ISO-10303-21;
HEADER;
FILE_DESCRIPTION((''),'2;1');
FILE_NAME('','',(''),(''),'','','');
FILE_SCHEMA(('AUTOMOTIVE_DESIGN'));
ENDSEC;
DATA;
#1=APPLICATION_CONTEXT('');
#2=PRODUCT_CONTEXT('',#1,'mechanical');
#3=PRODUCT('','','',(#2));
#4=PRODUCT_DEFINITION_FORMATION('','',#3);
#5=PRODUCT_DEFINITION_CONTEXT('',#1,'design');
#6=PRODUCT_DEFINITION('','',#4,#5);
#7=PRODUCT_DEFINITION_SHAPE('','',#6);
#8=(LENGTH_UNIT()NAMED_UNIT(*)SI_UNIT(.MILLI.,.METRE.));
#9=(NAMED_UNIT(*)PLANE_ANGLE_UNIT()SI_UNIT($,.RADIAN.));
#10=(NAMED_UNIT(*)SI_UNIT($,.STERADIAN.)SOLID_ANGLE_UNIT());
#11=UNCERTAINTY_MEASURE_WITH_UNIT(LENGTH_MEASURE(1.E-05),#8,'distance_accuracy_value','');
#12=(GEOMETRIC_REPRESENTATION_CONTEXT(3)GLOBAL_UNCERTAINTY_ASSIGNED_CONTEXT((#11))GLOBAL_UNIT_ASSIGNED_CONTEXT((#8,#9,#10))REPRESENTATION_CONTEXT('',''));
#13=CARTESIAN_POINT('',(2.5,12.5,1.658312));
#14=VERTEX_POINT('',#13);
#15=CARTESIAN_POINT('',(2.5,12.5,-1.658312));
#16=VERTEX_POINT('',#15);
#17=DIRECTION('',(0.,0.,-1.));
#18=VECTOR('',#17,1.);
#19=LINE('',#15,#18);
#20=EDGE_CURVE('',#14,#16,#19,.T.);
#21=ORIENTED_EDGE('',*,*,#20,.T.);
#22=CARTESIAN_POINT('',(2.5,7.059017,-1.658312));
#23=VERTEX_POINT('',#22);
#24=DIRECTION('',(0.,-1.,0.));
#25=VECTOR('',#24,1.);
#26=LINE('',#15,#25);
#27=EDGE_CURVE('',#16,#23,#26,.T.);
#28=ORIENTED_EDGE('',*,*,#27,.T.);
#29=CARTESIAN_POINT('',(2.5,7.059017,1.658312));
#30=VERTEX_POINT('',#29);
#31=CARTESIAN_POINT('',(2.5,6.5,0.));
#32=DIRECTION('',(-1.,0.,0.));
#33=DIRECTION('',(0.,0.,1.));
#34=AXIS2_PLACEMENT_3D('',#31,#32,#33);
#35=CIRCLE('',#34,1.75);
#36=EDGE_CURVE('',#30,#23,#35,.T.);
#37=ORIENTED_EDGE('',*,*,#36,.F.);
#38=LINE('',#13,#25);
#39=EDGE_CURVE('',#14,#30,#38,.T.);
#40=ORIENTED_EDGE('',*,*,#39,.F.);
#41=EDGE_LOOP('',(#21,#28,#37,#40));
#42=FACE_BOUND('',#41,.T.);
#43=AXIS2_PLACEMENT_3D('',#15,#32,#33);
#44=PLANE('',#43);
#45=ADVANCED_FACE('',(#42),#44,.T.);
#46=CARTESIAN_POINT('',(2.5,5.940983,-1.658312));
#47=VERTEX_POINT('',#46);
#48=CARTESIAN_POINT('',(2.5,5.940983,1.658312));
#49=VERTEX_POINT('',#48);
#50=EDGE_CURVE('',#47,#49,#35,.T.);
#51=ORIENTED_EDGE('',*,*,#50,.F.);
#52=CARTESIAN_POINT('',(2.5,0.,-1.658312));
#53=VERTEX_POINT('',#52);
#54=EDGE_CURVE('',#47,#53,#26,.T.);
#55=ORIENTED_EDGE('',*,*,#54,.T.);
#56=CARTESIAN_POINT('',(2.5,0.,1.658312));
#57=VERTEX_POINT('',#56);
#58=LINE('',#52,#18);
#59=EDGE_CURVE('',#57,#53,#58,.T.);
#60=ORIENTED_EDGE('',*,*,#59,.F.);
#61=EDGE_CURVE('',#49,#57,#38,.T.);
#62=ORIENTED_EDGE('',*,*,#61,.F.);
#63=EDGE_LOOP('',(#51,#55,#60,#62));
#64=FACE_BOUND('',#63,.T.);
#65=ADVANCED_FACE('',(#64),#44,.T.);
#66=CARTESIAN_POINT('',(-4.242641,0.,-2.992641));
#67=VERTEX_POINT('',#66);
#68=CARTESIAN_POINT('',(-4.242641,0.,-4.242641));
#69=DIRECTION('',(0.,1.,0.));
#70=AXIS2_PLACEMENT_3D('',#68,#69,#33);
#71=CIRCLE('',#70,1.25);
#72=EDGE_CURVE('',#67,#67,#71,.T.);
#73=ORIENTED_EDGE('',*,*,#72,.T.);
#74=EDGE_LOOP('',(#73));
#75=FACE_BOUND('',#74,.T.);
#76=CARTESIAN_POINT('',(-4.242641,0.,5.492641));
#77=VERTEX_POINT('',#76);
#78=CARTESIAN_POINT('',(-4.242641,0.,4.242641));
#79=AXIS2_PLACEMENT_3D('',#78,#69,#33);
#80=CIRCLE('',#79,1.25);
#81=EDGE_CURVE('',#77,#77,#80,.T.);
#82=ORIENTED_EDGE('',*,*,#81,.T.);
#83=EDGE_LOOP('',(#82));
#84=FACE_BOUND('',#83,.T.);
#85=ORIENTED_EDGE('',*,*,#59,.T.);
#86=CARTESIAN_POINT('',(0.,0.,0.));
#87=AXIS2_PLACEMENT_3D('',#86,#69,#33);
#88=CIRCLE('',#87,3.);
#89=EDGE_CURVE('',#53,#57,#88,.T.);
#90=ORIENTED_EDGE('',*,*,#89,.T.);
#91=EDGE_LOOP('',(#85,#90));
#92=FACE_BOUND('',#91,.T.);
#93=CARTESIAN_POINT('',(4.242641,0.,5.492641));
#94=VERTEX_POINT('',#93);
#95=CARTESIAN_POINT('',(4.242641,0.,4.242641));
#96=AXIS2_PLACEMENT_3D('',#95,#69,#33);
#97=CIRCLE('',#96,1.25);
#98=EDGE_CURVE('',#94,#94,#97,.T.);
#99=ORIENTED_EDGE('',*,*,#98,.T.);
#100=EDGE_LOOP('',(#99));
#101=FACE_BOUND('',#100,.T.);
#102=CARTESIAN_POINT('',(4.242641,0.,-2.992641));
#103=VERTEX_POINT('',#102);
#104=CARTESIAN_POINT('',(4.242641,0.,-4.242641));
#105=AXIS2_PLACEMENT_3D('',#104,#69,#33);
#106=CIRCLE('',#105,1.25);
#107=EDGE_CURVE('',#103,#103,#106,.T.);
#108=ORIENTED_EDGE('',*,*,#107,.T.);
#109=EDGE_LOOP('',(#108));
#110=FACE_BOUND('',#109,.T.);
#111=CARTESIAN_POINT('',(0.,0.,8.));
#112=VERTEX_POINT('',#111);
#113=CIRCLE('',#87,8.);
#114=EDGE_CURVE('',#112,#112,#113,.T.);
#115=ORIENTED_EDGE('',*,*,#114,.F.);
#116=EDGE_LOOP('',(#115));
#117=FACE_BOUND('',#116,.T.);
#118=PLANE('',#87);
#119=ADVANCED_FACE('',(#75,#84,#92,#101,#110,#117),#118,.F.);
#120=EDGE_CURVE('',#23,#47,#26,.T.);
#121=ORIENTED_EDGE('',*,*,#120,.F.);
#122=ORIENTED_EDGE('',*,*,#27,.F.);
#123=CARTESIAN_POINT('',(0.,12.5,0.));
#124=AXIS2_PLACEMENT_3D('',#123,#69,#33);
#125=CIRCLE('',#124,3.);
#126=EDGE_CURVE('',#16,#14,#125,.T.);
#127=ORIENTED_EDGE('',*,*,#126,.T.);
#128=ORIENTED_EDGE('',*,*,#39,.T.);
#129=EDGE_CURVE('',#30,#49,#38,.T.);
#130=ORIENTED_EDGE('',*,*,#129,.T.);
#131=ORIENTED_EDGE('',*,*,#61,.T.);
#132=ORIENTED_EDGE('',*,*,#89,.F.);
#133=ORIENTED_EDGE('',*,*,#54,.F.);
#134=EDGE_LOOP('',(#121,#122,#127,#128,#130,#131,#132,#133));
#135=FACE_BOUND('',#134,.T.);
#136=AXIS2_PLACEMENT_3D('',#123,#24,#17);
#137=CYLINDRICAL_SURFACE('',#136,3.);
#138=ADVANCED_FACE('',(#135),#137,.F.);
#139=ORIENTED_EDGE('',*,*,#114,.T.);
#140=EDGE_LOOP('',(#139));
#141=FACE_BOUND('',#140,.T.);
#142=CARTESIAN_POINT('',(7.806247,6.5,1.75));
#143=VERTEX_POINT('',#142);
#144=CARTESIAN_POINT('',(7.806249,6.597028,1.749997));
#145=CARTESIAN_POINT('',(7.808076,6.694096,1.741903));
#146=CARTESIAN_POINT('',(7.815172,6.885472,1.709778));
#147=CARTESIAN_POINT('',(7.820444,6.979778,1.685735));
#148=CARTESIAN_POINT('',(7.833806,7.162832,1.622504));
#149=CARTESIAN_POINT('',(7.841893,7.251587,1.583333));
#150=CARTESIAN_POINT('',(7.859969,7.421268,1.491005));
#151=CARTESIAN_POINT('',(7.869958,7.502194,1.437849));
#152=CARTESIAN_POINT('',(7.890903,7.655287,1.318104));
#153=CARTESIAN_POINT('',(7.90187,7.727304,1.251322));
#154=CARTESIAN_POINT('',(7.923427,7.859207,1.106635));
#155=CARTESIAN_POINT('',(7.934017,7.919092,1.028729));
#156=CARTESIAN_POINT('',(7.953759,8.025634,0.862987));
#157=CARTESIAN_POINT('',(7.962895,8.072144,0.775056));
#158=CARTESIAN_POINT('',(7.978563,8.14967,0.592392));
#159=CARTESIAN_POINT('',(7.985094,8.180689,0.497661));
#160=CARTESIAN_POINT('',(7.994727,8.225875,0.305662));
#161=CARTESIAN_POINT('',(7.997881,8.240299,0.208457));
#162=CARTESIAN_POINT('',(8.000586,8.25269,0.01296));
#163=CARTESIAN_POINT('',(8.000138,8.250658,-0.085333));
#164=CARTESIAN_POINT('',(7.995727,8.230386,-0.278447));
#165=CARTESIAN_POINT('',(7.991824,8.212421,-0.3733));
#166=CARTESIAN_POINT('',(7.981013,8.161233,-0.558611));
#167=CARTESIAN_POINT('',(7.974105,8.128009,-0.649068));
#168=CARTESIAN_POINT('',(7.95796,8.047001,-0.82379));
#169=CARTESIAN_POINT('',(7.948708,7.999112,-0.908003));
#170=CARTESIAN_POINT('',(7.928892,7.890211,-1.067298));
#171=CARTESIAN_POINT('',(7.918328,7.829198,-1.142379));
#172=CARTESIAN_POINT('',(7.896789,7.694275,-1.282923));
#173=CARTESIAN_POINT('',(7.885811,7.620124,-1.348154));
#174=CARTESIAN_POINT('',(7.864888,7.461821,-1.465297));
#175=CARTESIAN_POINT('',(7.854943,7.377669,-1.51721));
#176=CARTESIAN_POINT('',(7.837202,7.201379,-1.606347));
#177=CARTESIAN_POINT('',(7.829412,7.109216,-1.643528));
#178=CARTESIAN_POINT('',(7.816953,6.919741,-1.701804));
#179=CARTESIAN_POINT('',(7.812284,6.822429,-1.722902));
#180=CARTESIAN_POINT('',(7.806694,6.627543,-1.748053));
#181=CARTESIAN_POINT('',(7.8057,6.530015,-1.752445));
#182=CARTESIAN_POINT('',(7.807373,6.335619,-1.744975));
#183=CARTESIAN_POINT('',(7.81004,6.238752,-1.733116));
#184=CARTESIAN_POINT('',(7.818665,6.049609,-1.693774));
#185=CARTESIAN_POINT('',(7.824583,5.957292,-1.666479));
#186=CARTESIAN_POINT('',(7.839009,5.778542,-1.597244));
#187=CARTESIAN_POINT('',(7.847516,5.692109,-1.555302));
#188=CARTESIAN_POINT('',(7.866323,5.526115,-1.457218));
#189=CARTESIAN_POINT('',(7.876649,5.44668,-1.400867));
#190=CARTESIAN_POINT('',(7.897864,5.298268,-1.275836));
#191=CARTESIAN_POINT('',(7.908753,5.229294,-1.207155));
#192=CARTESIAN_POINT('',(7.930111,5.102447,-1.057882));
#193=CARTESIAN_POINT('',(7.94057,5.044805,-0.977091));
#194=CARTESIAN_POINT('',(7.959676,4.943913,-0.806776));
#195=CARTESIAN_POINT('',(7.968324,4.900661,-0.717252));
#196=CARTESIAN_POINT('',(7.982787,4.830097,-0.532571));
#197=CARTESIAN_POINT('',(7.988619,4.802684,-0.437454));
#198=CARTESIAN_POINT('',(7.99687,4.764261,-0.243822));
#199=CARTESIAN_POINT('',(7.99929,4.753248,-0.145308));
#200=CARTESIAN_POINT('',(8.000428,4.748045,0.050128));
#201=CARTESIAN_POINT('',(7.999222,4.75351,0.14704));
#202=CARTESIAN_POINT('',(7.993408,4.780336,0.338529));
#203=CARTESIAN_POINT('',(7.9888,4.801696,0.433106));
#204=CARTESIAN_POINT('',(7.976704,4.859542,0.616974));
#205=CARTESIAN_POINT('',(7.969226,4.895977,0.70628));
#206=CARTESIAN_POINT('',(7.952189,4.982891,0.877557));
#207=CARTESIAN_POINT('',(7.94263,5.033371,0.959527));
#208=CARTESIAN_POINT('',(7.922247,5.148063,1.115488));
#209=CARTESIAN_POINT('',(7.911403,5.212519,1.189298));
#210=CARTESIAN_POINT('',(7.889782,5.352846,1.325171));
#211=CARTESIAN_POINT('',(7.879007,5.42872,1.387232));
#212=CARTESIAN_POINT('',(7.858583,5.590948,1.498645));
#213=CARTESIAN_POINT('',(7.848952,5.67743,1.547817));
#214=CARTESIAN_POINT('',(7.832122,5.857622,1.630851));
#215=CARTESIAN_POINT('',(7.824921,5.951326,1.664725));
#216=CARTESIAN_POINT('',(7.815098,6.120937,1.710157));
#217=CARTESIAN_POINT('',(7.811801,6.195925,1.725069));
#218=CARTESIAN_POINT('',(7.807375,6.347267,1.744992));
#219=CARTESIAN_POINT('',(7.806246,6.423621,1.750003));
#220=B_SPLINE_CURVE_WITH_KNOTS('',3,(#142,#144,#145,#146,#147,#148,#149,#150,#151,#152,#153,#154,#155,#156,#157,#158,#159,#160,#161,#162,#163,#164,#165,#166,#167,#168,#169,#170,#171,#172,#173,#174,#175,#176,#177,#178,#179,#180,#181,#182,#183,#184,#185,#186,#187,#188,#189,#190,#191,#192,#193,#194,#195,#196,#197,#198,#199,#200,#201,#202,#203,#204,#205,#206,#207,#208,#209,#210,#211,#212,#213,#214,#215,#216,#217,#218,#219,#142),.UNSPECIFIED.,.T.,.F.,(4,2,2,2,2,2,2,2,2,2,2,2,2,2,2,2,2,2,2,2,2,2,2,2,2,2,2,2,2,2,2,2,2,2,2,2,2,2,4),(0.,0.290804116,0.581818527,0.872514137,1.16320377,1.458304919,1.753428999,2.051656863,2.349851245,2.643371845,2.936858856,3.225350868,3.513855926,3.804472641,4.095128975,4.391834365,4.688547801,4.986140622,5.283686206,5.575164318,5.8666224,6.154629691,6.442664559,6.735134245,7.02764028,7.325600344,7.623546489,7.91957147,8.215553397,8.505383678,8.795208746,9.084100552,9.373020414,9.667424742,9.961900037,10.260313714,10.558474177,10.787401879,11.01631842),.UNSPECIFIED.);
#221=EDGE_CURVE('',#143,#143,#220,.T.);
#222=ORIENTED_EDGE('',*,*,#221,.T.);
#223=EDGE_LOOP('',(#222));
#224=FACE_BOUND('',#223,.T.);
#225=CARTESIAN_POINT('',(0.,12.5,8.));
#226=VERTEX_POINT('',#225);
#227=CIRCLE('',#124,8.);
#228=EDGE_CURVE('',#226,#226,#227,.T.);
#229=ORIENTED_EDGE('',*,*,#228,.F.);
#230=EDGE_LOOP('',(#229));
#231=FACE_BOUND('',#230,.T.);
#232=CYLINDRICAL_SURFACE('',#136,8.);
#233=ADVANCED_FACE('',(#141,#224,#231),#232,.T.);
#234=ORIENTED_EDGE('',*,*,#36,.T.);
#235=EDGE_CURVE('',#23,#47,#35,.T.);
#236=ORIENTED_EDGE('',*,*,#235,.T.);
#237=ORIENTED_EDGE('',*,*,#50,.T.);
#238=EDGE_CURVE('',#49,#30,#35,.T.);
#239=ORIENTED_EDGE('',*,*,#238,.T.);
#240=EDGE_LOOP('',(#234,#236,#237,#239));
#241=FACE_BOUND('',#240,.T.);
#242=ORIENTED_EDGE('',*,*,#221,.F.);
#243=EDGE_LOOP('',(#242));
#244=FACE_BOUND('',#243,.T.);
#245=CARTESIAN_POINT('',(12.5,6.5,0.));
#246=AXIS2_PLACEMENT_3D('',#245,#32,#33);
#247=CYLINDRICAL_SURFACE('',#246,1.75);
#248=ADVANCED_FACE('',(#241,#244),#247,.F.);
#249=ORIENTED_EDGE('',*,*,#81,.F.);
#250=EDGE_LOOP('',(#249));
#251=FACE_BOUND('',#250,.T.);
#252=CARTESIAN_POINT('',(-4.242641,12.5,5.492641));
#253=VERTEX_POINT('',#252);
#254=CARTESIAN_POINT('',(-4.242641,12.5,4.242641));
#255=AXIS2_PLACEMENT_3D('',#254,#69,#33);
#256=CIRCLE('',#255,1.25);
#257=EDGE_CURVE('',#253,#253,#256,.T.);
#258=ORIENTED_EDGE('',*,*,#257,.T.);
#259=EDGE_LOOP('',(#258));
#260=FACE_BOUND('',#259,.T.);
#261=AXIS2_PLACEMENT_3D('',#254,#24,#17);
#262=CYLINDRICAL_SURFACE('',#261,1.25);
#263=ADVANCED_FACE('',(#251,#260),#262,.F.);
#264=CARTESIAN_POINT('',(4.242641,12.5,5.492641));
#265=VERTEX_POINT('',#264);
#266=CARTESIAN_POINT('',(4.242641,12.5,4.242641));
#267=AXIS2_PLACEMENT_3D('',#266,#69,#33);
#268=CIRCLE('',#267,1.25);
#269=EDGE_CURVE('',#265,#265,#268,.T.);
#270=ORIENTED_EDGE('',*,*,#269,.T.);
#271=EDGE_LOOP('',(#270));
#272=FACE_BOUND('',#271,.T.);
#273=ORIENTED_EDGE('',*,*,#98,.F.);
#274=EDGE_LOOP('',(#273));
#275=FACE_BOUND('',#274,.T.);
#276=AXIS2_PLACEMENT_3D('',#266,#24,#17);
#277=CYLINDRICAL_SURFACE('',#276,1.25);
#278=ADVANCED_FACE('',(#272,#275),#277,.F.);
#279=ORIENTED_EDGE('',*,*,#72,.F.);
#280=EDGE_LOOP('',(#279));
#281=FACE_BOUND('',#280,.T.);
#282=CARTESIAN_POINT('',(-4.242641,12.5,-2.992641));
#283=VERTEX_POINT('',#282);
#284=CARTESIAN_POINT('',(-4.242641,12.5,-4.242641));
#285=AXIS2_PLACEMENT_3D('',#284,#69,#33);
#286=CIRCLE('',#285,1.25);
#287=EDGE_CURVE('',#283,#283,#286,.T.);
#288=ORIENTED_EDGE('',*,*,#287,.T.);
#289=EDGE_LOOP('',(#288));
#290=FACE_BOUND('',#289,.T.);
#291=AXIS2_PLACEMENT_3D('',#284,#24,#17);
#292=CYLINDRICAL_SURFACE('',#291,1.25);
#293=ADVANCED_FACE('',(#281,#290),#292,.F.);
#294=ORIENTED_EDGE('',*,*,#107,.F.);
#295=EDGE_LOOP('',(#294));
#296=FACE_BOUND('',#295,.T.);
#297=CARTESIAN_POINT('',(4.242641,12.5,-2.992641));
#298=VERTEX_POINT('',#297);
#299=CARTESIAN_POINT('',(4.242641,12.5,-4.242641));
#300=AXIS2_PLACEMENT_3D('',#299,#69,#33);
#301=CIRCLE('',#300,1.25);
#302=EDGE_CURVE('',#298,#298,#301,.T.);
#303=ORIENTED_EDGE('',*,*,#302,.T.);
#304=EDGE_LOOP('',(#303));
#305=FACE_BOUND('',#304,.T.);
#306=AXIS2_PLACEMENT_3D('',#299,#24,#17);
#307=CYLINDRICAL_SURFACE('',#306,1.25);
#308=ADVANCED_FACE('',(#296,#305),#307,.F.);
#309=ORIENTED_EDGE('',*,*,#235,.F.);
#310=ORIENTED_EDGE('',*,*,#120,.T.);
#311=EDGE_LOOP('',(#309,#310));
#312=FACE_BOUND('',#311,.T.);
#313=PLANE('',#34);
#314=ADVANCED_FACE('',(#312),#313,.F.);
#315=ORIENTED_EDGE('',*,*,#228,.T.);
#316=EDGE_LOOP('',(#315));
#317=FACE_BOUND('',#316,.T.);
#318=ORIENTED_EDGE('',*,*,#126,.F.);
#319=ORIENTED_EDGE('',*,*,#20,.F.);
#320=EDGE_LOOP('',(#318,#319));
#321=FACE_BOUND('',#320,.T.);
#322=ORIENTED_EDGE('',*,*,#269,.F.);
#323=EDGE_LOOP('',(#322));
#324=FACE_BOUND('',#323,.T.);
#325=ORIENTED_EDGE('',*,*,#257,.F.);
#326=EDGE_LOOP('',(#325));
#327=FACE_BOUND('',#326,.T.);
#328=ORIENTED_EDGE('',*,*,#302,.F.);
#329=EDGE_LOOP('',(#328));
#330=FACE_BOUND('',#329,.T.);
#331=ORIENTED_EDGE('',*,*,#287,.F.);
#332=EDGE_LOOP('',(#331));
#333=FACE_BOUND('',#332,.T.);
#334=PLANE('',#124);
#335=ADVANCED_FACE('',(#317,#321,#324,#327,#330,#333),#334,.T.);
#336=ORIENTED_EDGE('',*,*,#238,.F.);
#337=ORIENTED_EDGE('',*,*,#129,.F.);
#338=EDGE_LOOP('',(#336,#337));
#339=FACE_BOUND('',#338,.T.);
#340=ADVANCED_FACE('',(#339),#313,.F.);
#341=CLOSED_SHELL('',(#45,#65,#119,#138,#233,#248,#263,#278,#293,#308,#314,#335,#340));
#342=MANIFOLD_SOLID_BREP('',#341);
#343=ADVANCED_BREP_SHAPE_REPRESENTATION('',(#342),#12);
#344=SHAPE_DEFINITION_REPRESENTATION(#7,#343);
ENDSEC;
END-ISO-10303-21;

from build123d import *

# Parameters (mm, degrees)
SKETCH_1_R          = 8
SKETCH_1_R_2        = 1.25
EXTRUDE_1_DEPTH     = 12.5
SKETCH_3_R          = 1.75
CUT_EXTRUDE_1_DEPTH = 10


with BuildPart() as part:
    # 草图1 → 凸台-拉伸1 (new body)
    with BuildSketch(Plane(origin=(0, 0, 0), x_dir=(1, 0, 0), z_dir=(0, 1, 0))):
        with Locations(Location((0, 0, 0), (0, 0, 270))):
            Circle(SKETCH_1_R)
        with Locations(Location((4.242640687, 4.242640687, 0), (0, 0, 270))):
            Circle(SKETCH_1_R_2, mode=Mode.SUBTRACT)
        with Locations(Location((4.242640687, -4.242640687, 0), (0, 0, 270))):
            Circle(SKETCH_1_R_2, mode=Mode.SUBTRACT)
        with Locations(Location((-4.242640687, -4.242640687, 0), (0, 0, 270))):
            Circle(SKETCH_1_R_2, mode=Mode.SUBTRACT)
        with Locations(Location((-4.242640687, 4.242640687, 0), (0, 0, 270))):
            Circle(SKETCH_1_R_2, mode=Mode.SUBTRACT)
        with BuildLine():
            Line((2.5, 1.658312395), (2.5, -1.658312395))
            ThreePointArc((2.5, -1.658312395), (-3, 0), (2.5, 1.658312395))
        make_face(mode=Mode.SUBTRACT)
    extrude(amount=EXTRUDE_1_DEPTH)

    # 草图3 → 切除-拉伸1 (cut)
    with BuildSketch(Plane.ZY.offset(-2.5)):
        with Locations((0, 6.5)):
            Circle(SKETCH_3_R)
    extrude(amount=-CUT_EXTRUDE_1_DEPTH, mode=Mode.SUBTRACT)


solid = part.part
